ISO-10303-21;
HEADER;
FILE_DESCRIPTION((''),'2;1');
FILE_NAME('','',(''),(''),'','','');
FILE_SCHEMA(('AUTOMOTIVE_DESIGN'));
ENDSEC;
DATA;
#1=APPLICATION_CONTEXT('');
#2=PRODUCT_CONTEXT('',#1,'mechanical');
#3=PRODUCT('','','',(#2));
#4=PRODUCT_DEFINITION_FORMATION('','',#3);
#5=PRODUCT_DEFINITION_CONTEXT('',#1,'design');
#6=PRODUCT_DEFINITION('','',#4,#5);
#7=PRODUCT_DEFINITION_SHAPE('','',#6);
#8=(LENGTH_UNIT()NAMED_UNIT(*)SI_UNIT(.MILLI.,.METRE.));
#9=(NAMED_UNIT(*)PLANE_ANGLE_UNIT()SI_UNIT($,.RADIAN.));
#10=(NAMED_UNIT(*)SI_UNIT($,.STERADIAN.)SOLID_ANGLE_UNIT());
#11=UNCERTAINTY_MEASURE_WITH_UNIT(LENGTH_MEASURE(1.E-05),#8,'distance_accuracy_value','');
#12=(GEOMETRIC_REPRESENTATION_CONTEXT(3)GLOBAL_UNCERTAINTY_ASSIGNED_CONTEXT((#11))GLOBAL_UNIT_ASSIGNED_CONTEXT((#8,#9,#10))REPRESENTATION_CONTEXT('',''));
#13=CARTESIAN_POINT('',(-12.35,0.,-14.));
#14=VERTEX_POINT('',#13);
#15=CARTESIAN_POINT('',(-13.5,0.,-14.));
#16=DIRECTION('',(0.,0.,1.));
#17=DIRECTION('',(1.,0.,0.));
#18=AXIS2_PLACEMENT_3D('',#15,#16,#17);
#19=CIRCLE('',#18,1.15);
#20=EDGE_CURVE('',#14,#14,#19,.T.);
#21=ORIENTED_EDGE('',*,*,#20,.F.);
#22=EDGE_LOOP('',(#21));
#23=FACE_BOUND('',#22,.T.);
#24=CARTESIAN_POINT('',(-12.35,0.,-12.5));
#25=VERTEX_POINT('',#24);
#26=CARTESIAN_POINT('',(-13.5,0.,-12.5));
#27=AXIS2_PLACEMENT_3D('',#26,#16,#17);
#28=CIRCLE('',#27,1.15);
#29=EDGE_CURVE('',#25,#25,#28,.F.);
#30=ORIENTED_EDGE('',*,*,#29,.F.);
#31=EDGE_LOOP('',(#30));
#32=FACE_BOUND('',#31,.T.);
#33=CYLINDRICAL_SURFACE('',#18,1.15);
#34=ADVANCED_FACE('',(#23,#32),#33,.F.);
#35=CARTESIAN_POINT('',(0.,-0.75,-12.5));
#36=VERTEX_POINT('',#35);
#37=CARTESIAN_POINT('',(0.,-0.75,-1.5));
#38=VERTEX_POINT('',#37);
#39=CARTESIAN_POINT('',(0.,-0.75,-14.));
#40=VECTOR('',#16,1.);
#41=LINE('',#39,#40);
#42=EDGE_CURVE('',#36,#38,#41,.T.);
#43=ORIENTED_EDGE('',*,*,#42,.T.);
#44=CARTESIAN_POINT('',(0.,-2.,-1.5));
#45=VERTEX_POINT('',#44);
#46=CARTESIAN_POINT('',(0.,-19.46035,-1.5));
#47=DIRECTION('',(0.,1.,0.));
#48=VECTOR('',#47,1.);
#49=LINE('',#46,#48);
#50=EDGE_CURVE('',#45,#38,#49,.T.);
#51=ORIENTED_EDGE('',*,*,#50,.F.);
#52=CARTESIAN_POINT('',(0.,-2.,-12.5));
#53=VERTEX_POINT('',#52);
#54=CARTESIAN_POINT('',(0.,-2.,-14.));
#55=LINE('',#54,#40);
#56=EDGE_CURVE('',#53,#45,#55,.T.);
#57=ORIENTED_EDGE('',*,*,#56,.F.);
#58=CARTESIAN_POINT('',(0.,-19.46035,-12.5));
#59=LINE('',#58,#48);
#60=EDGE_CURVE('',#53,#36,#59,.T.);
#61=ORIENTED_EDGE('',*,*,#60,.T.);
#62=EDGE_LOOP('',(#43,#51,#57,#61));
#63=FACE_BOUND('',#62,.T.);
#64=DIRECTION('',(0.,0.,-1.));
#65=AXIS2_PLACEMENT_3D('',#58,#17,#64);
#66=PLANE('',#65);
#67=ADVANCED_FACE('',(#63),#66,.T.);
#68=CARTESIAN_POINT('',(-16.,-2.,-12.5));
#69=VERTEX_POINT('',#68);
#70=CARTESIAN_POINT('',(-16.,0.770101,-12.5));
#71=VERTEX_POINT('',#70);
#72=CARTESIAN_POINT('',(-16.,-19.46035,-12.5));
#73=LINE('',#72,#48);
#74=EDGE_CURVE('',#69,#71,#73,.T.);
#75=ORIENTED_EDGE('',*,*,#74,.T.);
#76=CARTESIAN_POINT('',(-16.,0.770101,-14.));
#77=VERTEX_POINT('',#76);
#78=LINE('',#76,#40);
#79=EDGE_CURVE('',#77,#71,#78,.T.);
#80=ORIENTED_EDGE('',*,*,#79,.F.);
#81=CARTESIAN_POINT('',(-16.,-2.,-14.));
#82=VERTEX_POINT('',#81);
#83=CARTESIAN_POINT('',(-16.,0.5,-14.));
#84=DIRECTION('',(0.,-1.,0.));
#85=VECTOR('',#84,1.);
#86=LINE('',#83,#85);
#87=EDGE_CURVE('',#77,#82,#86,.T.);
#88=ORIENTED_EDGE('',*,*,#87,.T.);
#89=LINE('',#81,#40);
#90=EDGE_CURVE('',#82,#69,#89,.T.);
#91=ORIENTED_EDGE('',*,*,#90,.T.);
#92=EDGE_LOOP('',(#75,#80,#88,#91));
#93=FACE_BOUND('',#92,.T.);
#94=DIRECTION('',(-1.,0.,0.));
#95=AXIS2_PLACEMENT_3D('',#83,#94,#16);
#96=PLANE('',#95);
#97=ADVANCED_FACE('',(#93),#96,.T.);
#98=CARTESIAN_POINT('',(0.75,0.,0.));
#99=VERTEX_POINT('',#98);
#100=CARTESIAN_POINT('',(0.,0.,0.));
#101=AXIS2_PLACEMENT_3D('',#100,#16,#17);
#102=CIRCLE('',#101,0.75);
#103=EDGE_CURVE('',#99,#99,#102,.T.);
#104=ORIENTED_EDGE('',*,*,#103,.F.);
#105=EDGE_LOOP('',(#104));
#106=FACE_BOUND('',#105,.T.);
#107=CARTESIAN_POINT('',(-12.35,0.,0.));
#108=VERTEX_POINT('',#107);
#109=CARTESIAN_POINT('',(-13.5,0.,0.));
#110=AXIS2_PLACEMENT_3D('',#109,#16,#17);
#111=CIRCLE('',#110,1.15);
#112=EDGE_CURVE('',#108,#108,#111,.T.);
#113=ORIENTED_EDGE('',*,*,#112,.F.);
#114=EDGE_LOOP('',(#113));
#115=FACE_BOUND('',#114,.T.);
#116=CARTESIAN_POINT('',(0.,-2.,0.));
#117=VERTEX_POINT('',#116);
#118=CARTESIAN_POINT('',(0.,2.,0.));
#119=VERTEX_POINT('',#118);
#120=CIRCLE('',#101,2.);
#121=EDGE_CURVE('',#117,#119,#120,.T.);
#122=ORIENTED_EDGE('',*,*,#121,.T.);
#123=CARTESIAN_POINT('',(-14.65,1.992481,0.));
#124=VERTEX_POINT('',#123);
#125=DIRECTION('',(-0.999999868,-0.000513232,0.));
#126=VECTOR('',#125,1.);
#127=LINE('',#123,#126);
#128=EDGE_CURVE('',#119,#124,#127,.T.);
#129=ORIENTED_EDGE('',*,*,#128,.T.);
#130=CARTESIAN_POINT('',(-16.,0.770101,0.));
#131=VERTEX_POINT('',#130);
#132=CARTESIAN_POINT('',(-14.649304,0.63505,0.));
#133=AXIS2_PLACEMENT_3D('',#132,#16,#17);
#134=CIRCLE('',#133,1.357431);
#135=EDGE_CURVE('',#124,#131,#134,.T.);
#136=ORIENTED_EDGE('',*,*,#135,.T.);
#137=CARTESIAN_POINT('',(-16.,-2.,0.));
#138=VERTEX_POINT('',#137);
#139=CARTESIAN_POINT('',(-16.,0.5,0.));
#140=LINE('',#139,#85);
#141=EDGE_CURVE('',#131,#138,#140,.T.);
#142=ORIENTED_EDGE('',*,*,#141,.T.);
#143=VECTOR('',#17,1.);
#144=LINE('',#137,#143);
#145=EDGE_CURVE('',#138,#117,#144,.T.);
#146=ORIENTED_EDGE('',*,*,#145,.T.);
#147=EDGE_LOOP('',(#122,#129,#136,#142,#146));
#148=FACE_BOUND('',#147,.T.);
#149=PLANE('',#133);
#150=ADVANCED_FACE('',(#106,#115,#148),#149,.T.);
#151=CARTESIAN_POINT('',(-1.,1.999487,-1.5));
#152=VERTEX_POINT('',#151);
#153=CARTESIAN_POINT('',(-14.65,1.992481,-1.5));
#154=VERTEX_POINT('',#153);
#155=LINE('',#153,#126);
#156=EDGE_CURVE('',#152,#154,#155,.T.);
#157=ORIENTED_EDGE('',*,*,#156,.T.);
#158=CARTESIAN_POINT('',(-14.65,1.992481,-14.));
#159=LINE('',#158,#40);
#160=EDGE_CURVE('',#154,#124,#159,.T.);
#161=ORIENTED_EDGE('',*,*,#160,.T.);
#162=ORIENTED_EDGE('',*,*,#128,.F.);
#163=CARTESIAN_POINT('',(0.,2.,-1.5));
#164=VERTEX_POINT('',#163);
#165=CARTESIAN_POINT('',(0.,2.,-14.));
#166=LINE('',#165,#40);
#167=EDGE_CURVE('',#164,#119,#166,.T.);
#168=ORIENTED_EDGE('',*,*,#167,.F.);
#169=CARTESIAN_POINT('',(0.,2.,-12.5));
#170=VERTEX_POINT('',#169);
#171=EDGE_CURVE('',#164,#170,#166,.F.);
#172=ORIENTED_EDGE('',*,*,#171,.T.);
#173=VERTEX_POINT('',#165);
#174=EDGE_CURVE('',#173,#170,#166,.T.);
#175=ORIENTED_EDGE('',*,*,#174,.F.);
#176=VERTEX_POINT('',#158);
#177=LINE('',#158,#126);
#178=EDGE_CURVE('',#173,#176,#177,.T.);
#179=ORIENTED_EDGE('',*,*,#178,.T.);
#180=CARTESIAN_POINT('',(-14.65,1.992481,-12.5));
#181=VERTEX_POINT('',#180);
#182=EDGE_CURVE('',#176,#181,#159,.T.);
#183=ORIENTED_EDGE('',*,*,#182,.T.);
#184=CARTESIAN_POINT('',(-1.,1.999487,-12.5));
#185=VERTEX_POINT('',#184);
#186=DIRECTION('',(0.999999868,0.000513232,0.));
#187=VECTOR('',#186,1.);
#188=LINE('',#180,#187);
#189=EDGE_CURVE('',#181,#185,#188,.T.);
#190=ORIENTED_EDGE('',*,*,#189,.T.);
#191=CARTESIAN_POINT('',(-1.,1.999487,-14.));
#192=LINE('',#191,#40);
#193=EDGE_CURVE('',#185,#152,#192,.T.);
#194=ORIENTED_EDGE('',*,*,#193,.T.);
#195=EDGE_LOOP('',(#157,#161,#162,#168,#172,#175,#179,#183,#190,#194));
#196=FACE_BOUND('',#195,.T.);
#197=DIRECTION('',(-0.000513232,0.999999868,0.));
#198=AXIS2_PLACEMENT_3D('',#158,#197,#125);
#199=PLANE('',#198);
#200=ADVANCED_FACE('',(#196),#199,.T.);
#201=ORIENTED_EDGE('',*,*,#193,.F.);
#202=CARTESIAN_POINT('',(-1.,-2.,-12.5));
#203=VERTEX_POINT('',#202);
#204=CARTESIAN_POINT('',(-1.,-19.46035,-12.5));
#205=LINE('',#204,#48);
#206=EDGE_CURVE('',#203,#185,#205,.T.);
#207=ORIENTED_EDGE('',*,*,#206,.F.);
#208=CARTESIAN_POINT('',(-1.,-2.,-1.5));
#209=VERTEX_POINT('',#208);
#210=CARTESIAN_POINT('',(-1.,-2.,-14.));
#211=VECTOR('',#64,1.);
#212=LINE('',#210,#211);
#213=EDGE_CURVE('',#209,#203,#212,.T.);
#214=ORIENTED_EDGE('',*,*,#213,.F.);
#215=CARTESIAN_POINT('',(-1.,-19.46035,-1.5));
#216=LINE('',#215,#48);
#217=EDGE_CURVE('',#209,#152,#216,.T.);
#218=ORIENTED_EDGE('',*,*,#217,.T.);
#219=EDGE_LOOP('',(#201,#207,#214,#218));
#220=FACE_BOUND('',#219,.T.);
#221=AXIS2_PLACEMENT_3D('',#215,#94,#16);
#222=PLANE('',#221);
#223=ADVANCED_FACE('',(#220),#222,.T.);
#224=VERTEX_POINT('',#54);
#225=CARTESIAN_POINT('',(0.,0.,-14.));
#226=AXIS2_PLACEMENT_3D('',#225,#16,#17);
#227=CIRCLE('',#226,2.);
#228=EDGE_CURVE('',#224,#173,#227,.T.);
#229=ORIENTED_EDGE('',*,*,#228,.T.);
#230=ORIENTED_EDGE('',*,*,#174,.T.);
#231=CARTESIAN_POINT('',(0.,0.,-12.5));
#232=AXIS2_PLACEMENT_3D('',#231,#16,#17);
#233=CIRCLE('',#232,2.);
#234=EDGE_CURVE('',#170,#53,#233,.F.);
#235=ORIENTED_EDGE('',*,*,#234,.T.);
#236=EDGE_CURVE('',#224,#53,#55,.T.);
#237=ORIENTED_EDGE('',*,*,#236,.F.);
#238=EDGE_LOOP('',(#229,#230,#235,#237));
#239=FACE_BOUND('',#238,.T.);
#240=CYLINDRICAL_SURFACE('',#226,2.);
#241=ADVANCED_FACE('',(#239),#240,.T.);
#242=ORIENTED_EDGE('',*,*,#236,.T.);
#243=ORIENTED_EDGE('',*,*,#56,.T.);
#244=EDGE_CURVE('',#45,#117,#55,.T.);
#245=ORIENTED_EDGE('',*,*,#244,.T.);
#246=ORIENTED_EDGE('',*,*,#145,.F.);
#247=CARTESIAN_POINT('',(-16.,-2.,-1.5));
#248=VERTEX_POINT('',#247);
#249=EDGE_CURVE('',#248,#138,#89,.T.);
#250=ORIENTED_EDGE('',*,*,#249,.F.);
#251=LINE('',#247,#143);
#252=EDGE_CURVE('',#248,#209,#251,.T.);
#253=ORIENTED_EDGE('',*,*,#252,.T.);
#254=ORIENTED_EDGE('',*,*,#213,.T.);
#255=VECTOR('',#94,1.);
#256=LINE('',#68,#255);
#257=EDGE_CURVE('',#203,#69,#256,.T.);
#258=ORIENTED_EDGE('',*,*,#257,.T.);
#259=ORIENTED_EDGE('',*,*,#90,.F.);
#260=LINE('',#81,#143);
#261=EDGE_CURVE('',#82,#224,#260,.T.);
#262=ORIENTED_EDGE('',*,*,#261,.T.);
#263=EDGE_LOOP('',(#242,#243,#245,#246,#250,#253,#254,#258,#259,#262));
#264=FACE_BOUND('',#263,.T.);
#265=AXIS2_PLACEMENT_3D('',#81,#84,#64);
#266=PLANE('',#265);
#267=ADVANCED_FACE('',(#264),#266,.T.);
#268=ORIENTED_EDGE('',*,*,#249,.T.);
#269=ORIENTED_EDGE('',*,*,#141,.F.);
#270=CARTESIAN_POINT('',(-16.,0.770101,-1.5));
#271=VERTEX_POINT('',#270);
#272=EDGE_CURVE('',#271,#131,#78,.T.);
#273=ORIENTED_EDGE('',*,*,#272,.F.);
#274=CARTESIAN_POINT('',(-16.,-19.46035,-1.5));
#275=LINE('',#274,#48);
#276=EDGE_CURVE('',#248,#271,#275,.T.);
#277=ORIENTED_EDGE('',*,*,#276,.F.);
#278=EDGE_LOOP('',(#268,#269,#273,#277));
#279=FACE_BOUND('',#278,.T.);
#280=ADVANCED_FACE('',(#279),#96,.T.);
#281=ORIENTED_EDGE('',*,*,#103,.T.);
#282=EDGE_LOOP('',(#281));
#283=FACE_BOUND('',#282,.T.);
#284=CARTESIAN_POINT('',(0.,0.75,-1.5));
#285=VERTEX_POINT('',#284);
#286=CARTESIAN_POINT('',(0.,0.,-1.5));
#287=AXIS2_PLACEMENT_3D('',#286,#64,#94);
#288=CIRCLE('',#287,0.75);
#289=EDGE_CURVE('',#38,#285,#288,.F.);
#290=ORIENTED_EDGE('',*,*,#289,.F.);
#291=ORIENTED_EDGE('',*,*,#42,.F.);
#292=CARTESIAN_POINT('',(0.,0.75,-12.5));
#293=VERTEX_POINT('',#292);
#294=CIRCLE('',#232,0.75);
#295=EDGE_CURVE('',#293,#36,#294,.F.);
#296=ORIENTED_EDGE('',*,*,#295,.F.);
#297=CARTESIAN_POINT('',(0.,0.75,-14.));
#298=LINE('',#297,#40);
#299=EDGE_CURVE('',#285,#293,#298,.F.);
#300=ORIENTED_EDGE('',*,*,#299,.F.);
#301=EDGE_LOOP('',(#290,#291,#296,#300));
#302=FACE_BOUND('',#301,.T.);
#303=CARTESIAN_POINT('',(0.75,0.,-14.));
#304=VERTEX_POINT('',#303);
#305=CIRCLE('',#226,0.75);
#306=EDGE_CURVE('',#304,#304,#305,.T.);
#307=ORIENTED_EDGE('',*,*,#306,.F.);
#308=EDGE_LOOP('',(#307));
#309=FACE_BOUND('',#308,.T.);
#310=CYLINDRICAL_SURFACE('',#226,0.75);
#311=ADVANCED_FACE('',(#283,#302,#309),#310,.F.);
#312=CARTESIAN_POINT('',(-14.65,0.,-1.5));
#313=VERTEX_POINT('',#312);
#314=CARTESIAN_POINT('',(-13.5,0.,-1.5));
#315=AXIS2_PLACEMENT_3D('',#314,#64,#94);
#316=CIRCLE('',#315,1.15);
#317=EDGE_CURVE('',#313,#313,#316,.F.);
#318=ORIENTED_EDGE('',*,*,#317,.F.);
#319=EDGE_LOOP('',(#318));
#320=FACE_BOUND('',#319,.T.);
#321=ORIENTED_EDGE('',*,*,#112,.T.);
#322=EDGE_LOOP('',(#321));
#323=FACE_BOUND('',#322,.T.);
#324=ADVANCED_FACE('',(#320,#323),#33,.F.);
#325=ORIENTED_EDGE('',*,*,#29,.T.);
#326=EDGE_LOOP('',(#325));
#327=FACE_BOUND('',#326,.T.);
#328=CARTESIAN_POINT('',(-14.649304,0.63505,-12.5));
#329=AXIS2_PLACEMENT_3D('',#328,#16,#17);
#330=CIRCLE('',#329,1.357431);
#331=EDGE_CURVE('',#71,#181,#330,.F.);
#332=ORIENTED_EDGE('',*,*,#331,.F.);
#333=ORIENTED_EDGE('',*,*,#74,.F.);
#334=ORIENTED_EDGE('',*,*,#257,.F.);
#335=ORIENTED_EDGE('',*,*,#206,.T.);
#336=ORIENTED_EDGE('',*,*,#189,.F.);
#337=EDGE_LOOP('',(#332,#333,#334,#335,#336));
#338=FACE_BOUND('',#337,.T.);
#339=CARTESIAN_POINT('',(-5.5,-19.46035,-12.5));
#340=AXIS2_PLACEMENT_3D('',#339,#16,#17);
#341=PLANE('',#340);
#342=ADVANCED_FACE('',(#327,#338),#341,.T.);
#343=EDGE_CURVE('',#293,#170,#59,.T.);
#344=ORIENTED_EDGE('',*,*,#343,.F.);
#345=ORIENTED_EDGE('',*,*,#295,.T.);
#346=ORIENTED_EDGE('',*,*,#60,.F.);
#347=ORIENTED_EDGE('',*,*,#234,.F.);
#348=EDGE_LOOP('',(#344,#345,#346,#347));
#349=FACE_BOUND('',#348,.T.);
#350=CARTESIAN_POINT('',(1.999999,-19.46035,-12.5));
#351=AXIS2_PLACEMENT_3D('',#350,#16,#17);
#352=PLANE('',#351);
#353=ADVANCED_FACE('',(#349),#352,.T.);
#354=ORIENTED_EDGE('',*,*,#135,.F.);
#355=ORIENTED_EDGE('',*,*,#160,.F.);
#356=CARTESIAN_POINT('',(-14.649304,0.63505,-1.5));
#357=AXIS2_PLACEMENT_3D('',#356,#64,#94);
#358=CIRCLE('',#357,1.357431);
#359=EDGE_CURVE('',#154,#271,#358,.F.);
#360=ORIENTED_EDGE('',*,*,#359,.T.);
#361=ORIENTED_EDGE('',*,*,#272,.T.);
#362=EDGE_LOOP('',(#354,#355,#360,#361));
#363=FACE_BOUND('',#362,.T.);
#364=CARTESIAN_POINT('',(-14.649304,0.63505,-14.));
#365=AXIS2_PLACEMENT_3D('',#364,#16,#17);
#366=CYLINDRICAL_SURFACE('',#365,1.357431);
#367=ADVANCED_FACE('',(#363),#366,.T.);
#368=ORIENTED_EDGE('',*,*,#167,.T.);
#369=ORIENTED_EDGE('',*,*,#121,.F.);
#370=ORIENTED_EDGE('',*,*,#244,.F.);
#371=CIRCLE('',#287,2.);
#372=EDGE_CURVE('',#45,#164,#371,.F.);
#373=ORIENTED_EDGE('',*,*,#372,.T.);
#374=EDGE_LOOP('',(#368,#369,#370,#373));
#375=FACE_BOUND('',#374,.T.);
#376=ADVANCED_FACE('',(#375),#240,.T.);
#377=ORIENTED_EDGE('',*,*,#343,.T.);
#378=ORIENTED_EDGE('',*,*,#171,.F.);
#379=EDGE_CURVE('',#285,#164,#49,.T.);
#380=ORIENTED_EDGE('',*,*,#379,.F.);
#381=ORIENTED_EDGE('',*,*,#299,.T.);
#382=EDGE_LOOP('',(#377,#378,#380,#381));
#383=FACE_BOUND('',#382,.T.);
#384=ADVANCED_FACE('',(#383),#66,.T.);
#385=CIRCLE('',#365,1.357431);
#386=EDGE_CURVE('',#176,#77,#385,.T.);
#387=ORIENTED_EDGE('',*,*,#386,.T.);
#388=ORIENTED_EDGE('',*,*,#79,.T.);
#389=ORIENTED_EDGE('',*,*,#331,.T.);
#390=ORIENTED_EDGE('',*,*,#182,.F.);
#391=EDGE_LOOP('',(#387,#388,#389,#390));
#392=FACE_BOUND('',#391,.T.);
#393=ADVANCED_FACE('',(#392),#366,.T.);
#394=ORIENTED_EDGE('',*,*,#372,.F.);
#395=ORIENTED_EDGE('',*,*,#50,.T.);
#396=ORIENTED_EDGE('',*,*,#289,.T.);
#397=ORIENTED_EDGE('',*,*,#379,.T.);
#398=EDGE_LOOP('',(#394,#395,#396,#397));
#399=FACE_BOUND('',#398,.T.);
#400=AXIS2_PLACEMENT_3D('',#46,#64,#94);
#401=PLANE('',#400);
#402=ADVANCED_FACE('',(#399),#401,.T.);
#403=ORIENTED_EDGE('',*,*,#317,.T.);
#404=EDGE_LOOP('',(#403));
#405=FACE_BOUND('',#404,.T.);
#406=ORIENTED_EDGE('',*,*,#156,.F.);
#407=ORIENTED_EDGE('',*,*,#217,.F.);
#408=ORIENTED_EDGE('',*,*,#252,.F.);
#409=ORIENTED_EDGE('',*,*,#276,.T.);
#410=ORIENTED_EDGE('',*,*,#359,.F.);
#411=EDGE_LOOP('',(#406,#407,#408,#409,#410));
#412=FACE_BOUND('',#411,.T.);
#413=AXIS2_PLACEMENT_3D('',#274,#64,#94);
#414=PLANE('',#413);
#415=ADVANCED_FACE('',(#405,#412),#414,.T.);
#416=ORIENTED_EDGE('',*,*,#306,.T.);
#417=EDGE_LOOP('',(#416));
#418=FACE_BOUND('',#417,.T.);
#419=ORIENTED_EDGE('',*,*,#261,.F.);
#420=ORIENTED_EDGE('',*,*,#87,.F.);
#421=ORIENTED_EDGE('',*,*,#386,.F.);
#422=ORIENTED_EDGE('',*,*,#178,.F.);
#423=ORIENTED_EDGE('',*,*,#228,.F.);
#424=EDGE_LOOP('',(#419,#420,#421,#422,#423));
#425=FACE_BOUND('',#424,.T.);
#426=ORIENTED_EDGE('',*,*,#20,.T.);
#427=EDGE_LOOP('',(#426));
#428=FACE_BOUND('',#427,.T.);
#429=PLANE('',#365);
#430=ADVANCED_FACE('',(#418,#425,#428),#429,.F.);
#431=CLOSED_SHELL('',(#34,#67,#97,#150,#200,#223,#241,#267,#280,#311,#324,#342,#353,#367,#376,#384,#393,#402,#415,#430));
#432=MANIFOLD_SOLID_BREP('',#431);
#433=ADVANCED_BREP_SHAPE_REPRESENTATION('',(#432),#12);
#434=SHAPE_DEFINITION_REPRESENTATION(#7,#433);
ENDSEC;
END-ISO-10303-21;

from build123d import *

# Parameters (mm, degrees)
SKETCH5_R          = 1.15
SKETCH5_R_2        = 0.749999784
BASE_EXTRUDE_DEPTH = 14.000000432
SKETCH9_OUTSIDE_W  = 24.639
SKETCH9_OUTSIDE_H  = 20.632
CUT_EXTRUDE2_DEPTH = 37.000000432


with BuildPart() as part:
    # Sketch5 → Base-Extrude (new body)
    with BuildSketch(Plane.XY):
        with BuildLine():
            Line((-14.650000216, 1.992481203), (-2.16e-07, 2.000000047))
            ThreePointArc((-2.16e-07, 2.000000047), (2.000000047, 1.08e-07), (0, -2.000000047))
            Line((0, -2.000000047), (-15.999999829, -2.000000047))
            Line((-15.999999829, -2.000000047), (-15.999999829, 0.500000071))
            ThreePointArc((-15.999999829, 0.500000071), (-15.656001468, 1.545642629), (-14.650000216, 1.992481203))
        make_face()
        with Locations((-13.500000216, 4.7e-08)):
            Circle(SKETCH5_R, mode=Mode.SUBTRACT)
        Circle(SKETCH5_R_2, mode=Mode.SUBTRACT)
    extrude(amount=-BASE_EXTRUDE_DEPTH)

    # Sketch9 outside → Cut-Extrude2 (cut)
    with BuildSketch(Plane(origin=(0, 17.539650086, 0), x_dir=(-1, 0, 0), z_dir=(0, 1, 0))):
        with Locations((7.0035, -7)):
            Rectangle(SKETCH9_OUTSIDE_W, SKETCH9_OUTSIDE_H)
        Polygon((5.500000203, -12.500000186), (15.999999829, -12.500000186), (15.999999829, -14.000000432), (-1.999999397, -14.000000432), (-1.999999397, -12.500000186), (0, -12.500000186), (0, -1.500000246), (-1.999999397, -1.500000246), (-1.999999397, 0), (15.999999829, 0), (15.999999829, -1.500000246), (5.500000203, -1.500000246), (1.000000164, -1.500000246), (1.000000164, -12.500000186), align=None, mode=Mode.SUBTRACT)
    extrude(amount=-CUT_EXTRUDE2_DEPTH, mode=Mode.SUBTRACT)


solid = part.part
